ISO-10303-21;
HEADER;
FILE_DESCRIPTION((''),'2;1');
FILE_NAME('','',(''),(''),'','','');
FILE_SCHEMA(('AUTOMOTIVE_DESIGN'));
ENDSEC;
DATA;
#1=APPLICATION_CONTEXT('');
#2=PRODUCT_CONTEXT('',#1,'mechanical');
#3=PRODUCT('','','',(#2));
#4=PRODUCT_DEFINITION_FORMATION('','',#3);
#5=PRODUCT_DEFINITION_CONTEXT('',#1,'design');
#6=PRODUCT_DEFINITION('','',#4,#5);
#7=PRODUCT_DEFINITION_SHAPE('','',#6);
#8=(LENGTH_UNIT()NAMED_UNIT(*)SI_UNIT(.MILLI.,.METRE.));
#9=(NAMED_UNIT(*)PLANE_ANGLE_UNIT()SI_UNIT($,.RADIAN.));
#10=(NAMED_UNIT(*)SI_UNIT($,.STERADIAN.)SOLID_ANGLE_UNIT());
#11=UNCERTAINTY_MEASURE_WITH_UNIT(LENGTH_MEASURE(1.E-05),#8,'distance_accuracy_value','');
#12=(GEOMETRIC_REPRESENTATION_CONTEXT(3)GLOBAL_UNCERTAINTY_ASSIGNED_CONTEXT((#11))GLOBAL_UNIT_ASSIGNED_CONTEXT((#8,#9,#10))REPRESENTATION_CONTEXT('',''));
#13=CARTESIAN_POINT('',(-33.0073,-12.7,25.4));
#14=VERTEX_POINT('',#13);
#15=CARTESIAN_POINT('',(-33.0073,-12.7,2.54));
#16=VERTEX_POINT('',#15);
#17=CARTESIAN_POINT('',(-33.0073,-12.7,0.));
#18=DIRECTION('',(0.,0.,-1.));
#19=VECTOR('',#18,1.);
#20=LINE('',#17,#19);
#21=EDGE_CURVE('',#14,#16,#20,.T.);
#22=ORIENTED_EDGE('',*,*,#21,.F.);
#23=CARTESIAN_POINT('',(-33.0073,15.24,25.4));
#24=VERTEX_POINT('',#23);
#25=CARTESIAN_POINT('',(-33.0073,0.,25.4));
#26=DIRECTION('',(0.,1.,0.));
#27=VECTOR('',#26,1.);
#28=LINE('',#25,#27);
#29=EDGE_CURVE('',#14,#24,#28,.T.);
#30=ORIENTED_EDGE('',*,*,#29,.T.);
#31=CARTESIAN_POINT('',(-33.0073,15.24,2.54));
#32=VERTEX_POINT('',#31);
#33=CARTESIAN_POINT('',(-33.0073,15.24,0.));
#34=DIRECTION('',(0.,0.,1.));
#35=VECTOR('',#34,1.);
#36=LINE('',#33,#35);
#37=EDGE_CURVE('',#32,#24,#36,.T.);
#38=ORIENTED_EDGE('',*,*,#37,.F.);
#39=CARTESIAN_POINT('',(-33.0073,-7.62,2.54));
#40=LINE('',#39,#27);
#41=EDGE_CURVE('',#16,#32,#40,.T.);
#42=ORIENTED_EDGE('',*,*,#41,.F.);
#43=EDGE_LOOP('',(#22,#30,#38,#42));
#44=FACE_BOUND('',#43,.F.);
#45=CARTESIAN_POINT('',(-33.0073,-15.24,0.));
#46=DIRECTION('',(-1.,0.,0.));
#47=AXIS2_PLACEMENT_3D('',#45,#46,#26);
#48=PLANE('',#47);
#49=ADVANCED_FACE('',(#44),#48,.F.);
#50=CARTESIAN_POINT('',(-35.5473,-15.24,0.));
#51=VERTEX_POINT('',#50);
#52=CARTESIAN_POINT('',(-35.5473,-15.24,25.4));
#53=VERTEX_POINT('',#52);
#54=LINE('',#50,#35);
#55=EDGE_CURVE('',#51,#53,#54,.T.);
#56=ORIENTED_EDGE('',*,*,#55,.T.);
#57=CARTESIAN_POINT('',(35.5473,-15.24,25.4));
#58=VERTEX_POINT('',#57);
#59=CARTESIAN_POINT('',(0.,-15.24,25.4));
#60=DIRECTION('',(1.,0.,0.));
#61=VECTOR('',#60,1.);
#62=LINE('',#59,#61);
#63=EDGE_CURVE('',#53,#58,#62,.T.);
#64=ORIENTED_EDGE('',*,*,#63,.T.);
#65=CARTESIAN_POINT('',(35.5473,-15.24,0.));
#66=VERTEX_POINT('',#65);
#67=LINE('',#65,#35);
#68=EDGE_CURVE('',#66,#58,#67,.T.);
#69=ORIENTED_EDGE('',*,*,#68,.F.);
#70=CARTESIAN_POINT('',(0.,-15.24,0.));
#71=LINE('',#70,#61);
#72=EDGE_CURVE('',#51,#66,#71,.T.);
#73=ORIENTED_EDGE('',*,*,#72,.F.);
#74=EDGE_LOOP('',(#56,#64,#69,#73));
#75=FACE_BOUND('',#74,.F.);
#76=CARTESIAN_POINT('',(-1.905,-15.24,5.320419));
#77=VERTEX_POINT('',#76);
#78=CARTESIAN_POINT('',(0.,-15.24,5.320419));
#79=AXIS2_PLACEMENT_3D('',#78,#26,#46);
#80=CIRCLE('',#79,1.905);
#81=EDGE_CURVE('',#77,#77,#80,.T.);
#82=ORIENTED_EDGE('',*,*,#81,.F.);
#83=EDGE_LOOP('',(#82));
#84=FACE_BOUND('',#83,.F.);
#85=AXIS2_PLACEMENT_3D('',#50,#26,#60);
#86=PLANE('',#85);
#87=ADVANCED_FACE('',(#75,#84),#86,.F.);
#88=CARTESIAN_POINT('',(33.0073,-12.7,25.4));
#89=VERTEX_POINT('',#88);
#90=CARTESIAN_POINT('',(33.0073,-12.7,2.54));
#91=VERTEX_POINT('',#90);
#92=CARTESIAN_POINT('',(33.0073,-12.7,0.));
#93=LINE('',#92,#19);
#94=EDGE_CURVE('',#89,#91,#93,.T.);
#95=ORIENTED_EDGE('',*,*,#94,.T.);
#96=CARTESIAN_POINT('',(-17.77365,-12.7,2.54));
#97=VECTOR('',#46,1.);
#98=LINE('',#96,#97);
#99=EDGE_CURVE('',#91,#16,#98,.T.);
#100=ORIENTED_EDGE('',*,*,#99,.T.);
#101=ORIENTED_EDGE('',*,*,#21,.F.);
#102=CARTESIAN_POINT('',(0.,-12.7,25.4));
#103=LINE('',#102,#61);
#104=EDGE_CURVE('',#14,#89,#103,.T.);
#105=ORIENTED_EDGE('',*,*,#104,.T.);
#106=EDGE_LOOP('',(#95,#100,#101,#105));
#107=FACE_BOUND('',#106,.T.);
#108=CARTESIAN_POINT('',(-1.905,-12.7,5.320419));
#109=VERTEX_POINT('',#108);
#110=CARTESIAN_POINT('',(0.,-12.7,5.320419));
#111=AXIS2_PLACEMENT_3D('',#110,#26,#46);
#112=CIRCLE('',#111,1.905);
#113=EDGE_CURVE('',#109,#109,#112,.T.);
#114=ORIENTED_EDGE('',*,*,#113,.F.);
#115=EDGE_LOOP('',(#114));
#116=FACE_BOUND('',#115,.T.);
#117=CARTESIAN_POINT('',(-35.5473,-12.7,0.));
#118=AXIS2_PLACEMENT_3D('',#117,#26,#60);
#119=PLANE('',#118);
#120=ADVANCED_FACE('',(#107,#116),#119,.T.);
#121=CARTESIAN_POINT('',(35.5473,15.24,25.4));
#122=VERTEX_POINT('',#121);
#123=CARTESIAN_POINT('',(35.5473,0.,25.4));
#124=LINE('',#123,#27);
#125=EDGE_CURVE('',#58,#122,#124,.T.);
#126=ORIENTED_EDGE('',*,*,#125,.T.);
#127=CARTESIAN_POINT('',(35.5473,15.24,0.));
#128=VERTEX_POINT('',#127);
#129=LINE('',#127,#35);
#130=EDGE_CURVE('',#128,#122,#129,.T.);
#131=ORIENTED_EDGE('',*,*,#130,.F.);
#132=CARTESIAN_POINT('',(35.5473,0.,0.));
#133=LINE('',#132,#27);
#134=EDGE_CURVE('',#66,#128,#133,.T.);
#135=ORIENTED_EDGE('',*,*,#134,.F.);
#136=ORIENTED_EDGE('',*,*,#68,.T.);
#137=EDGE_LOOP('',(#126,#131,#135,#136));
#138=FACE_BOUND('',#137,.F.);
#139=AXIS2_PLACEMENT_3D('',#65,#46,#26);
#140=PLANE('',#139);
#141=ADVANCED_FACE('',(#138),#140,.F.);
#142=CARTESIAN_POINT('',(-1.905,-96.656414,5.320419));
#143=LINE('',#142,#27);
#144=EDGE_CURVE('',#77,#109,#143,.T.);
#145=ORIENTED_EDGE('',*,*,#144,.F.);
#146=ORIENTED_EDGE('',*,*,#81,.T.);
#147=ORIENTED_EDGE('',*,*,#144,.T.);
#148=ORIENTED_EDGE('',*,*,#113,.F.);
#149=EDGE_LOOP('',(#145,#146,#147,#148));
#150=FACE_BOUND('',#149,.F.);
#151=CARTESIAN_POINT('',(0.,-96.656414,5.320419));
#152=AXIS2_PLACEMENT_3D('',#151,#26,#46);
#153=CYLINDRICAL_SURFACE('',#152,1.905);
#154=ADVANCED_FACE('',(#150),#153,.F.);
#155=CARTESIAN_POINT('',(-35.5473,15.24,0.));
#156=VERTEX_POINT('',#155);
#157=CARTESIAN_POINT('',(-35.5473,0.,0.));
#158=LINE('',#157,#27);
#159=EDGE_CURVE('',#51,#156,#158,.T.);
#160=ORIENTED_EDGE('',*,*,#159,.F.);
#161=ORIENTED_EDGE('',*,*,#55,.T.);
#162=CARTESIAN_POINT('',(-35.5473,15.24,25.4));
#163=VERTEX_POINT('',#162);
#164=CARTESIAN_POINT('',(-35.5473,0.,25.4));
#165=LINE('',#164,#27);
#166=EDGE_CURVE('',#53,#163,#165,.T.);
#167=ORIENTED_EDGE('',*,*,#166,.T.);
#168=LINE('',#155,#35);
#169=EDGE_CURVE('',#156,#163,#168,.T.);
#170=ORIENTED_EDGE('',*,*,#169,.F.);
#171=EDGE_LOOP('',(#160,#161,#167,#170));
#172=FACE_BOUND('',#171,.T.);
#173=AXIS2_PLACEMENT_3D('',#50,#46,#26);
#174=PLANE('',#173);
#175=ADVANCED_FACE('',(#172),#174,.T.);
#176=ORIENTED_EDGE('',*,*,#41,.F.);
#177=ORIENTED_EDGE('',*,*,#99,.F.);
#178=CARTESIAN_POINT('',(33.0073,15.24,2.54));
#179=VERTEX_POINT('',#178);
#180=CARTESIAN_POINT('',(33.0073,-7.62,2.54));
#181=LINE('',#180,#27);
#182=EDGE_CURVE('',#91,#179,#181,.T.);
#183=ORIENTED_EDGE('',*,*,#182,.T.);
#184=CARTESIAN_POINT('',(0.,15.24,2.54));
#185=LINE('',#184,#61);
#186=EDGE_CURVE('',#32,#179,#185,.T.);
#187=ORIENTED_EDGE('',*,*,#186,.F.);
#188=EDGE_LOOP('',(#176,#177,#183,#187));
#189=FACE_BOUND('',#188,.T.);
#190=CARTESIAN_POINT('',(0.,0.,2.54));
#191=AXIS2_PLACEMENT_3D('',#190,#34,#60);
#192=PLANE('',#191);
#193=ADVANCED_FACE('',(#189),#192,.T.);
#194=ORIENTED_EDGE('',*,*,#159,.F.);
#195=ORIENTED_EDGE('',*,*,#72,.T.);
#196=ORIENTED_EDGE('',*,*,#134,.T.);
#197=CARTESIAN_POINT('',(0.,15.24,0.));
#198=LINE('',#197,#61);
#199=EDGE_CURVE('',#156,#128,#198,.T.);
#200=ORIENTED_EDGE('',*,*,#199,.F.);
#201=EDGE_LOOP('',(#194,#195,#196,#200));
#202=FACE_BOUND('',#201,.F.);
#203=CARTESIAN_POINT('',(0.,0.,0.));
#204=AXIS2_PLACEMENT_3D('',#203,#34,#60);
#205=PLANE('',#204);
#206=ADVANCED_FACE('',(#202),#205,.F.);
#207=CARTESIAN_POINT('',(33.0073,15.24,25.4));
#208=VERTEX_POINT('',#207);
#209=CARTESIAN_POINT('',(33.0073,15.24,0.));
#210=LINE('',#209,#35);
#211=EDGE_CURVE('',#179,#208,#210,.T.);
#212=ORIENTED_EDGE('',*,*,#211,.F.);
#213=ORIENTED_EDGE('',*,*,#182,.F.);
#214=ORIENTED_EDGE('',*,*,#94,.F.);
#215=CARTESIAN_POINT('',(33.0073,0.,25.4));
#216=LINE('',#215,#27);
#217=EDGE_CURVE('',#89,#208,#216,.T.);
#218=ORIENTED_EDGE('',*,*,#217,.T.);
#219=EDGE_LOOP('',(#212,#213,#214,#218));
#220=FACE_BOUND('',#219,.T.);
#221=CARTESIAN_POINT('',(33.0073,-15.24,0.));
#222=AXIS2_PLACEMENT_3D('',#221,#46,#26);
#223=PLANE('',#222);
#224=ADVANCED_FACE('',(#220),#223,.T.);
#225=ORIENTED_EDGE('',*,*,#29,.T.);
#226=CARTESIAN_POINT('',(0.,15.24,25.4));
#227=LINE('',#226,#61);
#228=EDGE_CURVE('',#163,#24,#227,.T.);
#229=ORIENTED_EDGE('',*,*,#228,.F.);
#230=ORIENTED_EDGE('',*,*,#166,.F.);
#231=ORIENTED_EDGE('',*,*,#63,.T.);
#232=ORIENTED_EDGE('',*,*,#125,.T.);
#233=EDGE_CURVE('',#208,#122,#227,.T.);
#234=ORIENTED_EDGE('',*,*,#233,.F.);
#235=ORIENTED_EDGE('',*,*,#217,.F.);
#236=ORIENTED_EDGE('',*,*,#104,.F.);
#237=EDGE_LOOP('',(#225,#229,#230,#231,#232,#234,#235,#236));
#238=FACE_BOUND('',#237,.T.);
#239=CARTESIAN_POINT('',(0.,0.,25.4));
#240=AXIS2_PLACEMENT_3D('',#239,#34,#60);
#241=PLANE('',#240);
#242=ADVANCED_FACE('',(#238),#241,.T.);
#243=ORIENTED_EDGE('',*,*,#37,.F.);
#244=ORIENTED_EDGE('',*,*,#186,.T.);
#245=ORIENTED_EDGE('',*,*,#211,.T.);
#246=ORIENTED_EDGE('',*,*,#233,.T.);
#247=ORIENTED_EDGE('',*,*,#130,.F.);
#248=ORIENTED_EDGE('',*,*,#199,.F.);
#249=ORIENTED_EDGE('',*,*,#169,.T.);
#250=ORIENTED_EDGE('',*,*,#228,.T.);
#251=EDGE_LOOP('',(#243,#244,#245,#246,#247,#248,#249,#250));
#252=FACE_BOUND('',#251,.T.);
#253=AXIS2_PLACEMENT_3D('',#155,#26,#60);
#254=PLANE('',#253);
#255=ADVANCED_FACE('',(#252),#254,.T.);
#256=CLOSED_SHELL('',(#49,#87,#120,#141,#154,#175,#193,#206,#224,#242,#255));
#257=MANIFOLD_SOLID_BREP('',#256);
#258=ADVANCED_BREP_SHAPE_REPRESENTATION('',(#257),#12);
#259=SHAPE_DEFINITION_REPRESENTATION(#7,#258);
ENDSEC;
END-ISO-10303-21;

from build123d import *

# Parameters (mm, degrees)
F0_W     = 71.0946
F0_H     = 30.48
F1_DEPTH = 25.4
F2_T     = -2.54
F4_D     = 3.81


with BuildPart() as f1:
    # F0 (on Top) → F1 (new body)
    with BuildSketch(Plane.XY):
        Rectangle(F0_W, F0_H)
    extrude(amount=F1_DEPTH)

    # F2
    f2_openings = [f1.faces().sort_by_distance(p)[0] for p in [
        (0, 15.24, 12.7),
        (0, 0, 25.4),
    ]]
    offset(amount=F2_T, openings=f2_openings)

    # F4 (through all)
    with Locations(Plane.XZ.offset(15.24)):
        with Locations((0, 5.320419)):
            Hole(F4_D / 2)


solid = f1.part
